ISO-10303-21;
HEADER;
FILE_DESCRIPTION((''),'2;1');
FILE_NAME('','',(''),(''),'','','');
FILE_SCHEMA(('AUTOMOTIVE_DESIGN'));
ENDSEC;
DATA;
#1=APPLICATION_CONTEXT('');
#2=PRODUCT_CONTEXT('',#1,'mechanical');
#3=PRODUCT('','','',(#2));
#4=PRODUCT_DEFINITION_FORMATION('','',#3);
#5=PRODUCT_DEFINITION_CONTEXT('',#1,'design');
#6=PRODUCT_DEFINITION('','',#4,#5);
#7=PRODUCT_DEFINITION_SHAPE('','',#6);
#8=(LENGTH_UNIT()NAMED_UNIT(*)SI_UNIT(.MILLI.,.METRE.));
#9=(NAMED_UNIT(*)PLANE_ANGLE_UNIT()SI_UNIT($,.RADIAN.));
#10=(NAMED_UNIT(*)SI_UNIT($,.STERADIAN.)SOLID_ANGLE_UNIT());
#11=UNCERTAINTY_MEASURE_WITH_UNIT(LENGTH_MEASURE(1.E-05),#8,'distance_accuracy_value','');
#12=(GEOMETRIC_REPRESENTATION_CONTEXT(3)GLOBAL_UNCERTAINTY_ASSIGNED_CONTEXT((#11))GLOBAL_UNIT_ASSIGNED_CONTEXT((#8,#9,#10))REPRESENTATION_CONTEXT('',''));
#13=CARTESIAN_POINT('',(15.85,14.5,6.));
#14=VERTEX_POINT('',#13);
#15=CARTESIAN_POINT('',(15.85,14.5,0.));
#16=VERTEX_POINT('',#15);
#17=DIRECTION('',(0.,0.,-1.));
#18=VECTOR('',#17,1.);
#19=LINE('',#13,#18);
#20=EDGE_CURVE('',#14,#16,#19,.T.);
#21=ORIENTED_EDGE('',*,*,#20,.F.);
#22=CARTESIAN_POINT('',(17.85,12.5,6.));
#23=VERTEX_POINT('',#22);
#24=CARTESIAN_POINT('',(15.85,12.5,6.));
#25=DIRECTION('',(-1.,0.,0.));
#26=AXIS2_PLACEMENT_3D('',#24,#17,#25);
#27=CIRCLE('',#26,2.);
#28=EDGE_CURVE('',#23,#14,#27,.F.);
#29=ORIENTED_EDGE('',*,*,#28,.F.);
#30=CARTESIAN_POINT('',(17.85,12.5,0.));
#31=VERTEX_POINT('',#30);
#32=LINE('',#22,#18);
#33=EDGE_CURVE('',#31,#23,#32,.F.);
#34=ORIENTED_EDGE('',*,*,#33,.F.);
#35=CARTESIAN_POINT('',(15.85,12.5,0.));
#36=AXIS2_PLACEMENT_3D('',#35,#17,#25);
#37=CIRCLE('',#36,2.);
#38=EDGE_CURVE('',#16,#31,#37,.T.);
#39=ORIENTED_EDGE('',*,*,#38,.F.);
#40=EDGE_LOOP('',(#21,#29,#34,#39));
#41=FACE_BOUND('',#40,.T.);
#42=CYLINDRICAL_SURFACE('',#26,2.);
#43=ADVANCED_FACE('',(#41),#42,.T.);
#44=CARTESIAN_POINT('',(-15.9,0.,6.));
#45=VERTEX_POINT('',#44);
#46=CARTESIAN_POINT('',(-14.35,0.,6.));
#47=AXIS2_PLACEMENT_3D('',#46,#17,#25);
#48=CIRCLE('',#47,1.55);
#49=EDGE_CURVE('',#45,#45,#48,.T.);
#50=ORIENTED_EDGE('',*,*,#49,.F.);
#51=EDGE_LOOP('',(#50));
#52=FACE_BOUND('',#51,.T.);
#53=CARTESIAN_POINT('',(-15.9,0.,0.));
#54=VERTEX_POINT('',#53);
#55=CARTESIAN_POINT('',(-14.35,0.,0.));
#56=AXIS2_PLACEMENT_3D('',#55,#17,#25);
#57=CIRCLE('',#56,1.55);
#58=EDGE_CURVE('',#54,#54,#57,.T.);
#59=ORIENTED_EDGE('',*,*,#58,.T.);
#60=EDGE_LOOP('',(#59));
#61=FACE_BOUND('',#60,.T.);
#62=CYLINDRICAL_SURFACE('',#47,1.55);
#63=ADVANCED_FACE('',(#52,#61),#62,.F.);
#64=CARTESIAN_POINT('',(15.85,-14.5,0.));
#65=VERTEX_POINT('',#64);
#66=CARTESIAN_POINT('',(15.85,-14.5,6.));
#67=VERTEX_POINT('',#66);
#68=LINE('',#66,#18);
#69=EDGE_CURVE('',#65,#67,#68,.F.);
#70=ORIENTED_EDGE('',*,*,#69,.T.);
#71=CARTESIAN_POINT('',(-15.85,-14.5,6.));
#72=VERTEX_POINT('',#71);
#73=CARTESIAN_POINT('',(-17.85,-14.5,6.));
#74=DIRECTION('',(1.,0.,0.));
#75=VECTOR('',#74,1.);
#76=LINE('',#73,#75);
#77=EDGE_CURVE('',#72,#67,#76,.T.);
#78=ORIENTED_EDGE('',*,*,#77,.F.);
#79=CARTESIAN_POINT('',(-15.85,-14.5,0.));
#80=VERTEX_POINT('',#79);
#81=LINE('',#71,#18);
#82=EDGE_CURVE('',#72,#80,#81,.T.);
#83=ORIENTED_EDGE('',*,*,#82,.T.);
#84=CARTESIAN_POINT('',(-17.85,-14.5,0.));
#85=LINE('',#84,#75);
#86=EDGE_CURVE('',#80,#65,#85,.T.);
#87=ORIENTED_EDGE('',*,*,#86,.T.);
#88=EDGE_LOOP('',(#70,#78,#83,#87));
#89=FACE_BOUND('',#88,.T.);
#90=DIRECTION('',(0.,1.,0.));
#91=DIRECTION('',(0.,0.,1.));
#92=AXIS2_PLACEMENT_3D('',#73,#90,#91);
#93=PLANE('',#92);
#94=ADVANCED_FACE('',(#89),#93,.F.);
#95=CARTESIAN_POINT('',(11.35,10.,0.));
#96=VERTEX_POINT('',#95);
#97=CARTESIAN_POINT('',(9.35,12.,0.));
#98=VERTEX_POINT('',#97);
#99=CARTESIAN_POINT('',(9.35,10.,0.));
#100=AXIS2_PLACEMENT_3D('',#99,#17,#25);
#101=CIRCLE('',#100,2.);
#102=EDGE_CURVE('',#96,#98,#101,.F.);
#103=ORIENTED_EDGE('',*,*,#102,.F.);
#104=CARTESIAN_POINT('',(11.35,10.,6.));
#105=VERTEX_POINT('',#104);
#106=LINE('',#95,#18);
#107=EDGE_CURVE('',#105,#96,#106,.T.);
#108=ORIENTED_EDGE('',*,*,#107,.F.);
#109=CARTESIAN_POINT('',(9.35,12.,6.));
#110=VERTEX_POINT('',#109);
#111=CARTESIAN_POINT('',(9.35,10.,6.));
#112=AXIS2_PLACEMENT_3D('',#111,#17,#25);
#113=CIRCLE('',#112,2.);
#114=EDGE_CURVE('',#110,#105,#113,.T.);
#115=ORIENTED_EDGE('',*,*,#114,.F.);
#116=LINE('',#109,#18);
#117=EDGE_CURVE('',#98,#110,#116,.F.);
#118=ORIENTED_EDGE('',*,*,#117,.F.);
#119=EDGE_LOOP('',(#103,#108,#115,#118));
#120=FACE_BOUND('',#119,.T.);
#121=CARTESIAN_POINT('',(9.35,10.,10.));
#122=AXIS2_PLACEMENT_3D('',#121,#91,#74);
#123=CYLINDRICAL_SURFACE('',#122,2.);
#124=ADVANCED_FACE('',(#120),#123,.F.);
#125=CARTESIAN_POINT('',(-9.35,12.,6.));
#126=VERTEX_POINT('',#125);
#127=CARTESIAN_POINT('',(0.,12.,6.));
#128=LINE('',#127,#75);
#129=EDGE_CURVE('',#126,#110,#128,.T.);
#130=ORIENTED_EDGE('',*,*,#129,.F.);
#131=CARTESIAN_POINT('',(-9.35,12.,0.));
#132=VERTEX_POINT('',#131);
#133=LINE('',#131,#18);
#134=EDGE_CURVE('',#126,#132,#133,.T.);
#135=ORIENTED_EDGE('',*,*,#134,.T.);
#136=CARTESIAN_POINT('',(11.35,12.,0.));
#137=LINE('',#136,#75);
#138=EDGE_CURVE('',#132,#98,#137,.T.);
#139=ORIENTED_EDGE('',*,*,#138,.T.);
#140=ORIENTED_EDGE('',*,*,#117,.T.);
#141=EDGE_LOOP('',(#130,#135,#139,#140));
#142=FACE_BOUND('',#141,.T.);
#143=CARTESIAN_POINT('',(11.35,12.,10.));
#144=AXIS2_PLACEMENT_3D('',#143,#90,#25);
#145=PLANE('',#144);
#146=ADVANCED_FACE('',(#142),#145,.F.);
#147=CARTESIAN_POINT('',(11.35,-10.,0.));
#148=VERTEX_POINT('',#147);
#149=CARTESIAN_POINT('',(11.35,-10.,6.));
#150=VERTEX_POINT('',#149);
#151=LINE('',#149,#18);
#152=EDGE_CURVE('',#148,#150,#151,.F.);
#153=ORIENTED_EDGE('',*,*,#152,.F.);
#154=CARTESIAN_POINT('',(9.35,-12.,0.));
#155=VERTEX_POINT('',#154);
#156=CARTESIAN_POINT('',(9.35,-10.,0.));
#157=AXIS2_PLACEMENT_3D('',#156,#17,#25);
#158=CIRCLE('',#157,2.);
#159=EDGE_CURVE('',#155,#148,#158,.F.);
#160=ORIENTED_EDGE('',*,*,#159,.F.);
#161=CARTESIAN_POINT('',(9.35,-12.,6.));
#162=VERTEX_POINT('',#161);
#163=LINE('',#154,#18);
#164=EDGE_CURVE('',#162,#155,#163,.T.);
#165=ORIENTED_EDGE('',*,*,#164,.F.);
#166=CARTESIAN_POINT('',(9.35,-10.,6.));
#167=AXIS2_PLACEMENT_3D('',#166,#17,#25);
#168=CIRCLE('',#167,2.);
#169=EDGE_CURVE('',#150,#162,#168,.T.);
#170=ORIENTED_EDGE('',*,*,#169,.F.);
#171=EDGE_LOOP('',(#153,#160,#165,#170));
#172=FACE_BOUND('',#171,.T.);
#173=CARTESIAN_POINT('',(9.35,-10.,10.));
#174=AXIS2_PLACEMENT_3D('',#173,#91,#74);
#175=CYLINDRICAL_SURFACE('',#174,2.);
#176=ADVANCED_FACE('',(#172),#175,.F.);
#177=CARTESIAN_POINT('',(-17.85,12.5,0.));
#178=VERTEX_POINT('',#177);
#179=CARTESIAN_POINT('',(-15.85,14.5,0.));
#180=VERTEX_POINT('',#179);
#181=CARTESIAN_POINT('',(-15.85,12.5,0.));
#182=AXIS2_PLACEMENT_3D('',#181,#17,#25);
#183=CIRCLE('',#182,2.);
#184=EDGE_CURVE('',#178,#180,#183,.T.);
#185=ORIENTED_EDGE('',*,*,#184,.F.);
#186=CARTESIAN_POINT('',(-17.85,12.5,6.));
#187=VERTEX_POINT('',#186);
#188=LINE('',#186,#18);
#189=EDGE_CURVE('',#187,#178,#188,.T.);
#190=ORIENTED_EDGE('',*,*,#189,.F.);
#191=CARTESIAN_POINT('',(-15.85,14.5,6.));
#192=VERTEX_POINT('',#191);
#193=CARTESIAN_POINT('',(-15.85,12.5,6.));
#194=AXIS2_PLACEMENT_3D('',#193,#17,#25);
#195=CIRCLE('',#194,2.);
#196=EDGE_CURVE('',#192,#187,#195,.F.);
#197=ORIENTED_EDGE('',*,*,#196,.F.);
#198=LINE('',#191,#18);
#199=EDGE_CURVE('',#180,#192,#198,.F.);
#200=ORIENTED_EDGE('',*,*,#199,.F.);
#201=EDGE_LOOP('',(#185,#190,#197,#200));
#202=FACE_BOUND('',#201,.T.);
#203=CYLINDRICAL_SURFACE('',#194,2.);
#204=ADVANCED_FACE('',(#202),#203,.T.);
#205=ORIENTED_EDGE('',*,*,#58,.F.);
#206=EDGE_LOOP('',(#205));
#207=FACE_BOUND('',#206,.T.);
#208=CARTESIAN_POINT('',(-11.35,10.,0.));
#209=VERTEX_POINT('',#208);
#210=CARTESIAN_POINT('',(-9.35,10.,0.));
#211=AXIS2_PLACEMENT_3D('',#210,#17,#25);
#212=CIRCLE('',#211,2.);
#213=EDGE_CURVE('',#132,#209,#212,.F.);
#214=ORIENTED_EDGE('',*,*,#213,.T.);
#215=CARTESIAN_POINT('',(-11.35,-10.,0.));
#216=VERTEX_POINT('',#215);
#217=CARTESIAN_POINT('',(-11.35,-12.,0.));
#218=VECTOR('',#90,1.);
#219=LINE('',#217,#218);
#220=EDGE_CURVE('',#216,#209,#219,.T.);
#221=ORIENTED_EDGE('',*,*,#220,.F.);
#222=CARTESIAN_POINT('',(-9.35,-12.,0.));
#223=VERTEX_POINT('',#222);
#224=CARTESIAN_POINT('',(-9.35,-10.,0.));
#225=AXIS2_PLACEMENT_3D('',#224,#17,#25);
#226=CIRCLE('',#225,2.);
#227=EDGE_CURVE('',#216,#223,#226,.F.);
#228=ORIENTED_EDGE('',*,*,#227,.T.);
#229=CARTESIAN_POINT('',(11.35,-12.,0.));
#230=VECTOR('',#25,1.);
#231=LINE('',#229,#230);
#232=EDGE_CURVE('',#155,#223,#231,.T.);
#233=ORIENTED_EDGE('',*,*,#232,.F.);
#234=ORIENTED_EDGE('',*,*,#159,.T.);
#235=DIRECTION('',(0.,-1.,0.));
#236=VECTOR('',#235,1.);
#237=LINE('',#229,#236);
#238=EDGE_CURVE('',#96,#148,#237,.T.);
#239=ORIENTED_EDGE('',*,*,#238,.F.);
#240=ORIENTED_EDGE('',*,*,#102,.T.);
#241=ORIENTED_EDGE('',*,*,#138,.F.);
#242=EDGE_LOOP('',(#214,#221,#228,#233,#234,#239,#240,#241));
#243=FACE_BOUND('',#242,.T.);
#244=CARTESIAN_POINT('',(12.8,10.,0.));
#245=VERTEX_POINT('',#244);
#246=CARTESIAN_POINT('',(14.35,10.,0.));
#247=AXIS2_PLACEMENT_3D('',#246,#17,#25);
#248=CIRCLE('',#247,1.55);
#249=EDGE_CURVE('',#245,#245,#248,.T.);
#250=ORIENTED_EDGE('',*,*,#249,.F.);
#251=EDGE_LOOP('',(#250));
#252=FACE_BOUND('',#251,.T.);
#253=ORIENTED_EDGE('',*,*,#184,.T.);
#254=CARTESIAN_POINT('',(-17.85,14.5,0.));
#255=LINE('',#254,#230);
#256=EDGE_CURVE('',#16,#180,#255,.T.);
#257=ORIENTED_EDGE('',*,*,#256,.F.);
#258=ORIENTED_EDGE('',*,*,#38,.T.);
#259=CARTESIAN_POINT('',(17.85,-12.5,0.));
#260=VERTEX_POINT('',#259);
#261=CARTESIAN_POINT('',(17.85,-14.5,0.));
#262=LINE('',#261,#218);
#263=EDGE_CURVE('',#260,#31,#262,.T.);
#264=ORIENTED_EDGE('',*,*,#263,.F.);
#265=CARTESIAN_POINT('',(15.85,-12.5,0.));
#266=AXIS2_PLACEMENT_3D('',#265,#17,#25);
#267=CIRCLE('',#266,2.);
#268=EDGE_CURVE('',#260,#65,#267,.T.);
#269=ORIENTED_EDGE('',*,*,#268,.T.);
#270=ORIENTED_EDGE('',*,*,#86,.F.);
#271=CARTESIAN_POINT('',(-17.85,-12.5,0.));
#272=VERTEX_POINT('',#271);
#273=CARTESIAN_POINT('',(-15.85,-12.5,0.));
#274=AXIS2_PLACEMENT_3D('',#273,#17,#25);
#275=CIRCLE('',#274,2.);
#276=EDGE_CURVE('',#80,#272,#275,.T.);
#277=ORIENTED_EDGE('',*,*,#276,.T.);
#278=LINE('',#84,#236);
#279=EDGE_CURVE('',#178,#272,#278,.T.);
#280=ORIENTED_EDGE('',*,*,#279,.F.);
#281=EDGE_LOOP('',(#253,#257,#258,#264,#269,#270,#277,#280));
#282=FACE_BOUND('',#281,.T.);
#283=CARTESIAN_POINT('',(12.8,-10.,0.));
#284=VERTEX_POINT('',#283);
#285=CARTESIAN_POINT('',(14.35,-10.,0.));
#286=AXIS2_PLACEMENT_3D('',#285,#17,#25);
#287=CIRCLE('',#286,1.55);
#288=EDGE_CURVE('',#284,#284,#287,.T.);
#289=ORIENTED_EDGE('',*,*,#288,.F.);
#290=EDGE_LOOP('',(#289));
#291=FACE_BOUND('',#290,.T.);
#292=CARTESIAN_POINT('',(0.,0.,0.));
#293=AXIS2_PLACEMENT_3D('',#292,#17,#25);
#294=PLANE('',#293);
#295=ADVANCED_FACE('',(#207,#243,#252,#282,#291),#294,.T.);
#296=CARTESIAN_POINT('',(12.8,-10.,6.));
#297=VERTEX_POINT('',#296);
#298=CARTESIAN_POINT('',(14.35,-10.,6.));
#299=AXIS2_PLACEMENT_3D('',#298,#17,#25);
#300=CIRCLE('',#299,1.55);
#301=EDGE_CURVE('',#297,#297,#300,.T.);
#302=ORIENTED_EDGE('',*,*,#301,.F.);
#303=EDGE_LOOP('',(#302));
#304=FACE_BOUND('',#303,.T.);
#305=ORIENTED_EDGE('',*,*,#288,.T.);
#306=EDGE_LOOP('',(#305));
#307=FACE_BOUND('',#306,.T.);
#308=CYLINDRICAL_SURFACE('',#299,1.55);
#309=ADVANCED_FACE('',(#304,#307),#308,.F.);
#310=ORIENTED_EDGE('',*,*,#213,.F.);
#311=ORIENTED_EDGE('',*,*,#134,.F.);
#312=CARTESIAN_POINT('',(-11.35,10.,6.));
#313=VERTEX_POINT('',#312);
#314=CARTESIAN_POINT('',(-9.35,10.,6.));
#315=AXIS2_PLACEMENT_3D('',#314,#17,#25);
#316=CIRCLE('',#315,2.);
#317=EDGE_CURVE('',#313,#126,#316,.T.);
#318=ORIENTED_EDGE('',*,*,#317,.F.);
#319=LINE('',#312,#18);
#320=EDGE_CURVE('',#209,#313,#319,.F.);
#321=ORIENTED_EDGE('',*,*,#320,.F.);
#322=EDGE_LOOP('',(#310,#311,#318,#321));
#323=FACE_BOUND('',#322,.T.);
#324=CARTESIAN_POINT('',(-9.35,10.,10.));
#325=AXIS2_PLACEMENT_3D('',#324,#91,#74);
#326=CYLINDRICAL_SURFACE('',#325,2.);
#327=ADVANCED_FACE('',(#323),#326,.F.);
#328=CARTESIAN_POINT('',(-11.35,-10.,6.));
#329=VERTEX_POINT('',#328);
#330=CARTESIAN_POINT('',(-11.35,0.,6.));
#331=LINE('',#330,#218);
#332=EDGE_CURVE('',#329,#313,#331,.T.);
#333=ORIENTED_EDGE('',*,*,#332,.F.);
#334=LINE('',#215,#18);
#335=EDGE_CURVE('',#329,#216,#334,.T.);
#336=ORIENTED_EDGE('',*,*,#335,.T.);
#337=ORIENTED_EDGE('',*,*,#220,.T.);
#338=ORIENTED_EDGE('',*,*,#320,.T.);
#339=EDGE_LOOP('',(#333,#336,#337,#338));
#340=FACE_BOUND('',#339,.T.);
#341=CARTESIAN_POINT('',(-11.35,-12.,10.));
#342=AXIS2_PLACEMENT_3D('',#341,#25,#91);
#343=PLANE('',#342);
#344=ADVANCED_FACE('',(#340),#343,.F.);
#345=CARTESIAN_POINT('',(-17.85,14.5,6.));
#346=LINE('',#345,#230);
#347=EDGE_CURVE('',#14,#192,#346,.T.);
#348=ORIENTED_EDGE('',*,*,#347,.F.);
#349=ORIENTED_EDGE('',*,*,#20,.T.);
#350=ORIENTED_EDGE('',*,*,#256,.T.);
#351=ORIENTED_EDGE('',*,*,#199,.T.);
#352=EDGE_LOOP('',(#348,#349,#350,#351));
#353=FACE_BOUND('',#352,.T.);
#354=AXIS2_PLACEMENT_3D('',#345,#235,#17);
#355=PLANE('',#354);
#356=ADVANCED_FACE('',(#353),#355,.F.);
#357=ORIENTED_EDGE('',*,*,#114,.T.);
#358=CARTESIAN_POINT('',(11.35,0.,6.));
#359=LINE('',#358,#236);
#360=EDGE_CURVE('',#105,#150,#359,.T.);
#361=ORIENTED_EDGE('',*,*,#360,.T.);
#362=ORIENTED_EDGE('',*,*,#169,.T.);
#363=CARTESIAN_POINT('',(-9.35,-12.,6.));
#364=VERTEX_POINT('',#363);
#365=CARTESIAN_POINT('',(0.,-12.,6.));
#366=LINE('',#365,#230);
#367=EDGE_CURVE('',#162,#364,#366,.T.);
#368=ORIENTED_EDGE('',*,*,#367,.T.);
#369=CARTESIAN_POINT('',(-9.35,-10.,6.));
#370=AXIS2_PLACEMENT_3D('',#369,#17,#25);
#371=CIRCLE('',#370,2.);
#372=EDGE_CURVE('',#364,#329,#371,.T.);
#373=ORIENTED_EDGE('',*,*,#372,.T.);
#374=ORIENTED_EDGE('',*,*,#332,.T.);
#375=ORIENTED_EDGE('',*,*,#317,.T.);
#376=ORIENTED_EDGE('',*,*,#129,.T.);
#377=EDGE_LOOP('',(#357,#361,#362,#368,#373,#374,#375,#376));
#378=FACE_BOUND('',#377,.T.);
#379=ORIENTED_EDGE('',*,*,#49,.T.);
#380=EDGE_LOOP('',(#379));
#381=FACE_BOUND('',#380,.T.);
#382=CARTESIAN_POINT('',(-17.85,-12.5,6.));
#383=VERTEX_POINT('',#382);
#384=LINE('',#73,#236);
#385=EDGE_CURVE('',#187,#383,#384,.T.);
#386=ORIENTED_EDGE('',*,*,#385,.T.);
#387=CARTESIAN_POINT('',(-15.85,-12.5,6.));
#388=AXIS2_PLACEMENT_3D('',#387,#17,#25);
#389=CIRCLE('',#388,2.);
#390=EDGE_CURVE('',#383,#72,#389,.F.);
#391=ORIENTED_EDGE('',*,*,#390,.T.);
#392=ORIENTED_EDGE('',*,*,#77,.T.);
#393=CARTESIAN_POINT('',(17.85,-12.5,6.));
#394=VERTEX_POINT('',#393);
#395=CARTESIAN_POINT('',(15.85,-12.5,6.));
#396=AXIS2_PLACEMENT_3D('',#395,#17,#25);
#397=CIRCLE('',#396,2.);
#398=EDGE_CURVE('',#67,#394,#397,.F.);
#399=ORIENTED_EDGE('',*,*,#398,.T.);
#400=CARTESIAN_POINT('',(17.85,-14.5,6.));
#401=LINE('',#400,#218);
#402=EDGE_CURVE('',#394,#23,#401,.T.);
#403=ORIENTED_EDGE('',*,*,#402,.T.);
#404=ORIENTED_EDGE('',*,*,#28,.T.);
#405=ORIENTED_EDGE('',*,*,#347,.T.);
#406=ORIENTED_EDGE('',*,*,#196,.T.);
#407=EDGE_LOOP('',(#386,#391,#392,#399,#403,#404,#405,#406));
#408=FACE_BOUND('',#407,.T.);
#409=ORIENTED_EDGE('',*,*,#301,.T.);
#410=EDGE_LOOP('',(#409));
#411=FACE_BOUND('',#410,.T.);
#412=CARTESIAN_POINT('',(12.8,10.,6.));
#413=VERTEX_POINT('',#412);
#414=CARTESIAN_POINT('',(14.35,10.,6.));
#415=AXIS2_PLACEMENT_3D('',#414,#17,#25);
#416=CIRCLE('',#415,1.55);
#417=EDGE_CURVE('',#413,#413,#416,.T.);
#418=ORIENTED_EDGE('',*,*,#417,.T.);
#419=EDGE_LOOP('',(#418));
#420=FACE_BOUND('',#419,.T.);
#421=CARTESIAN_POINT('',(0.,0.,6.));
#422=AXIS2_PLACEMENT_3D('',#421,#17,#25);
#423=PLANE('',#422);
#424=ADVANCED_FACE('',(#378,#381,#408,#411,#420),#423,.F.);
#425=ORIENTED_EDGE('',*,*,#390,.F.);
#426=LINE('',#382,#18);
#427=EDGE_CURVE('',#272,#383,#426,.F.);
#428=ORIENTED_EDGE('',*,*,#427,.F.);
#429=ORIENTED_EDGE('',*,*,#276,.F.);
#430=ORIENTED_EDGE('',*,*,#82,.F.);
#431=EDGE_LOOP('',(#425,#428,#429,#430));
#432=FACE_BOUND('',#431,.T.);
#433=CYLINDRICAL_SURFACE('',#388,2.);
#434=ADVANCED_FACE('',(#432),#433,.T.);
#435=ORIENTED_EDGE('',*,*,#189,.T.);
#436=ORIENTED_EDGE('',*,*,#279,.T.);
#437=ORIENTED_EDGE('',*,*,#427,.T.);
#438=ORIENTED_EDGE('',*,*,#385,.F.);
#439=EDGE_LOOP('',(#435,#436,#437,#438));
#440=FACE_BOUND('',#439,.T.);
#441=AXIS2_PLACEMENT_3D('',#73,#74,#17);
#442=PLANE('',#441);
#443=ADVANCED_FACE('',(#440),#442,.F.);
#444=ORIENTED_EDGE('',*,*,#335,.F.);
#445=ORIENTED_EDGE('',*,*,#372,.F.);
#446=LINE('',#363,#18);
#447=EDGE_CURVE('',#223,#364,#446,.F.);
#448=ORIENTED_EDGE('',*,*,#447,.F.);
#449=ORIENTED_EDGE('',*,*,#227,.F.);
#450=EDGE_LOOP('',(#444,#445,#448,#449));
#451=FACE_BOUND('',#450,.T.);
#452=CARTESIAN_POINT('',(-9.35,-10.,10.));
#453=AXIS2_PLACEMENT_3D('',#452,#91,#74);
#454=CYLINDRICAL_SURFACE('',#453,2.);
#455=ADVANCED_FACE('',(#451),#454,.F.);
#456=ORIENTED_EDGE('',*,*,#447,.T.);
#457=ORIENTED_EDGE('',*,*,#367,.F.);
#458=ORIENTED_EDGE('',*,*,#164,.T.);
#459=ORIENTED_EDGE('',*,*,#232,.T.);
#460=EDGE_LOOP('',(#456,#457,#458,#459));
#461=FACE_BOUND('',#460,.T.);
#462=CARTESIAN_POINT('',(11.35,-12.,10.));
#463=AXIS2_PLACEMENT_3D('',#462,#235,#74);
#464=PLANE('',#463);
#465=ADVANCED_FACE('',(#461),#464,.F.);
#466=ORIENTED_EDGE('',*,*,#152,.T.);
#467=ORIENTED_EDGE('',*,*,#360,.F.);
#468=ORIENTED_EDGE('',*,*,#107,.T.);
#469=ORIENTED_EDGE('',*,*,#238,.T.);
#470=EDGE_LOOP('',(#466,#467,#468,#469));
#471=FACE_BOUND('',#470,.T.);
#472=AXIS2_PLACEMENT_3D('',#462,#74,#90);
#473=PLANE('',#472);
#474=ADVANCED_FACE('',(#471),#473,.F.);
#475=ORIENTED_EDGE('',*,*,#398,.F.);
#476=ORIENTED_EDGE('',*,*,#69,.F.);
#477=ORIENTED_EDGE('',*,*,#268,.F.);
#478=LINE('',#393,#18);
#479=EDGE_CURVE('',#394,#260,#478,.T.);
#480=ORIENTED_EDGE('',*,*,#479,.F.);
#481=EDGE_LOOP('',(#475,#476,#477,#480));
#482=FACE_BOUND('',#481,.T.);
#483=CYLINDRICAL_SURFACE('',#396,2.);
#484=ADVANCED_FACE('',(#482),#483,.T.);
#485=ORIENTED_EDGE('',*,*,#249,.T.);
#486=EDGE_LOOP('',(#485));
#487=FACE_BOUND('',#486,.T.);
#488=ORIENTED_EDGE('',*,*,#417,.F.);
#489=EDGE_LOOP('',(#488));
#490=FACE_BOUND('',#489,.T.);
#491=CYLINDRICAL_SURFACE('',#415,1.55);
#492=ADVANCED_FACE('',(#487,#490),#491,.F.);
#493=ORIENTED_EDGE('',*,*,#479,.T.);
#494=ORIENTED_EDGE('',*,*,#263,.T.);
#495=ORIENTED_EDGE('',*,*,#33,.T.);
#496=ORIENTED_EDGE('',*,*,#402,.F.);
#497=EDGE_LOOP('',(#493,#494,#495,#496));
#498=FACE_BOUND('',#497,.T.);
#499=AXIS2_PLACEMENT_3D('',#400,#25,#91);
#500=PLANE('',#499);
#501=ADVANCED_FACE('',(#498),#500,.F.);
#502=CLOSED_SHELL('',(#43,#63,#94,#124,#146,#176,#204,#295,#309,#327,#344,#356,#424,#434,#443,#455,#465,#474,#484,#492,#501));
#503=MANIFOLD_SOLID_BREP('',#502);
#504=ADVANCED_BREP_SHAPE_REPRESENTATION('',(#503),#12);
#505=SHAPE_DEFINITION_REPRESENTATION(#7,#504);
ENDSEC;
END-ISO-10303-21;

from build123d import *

# Parameters (mm, degrees)
SKETCH_1_W          = 35.7
SKETCH_1_H          = 29
EXTRUDE_1_DEPTH     = 6
SKETCH_2_R          = 1.55
CUT_EXTRUDE_1_DEPTH = 6
SKETCH_3_W          = 22.7
SKETCH_3_H          = 24
CUT_EXTRUDE_2_DEPTH = 10
FILLET_1_R          = 2


with BuildPart() as part:
    # 草图1 → 凸台-拉伸1 (new body)
    with BuildSketch(Plane.XY):
        Rectangle(SKETCH_1_W, SKETCH_1_H)
    extrude(amount=EXTRUDE_1_DEPTH)

    # 草图2 → 切除-拉伸1 (cut)
    with BuildSketch(Plane(origin=(0, 0, 0), x_dir=(-1, 0, 0), z_dir=(0, 0, -1))):
        with Locations((14.35, 0)):
            Circle(SKETCH_2_R)
        with Locations((-14.35, 10)):
            Circle(SKETCH_2_R)
        with Locations((-14.35, -10)):
            Circle(SKETCH_2_R)
    extrude(amount=-CUT_EXTRUDE_1_DEPTH, mode=Mode.SUBTRACT)

    # 草图3 → 切除-拉伸2 (cut)
    with BuildSketch(Plane(origin=(0, 0, 0), x_dir=(-1, 0, 0), z_dir=(0, 0, -1))):
        Rectangle(SKETCH_3_W, SKETCH_3_H)
    extrude(amount=-CUT_EXTRUDE_2_DEPTH, mode=Mode.SUBTRACT)

    # 圆角1
    fillet_1_edges = [part.edges().sort_by_distance(p)[0] for p in [
        (-11.35, 12, 3),
        (-11.35, -12, 3),
        (11.35, -12, 3),
        (11.35, 12, 3),
        (17.85, -14.5, 3),
        (-17.85, -14.5, 3),
        (-17.85, 14.5, 3),
        (17.85, 14.5, 3),
    ]]
    fillet(fillet_1_edges, radius=FILLET_1_R)


solid = part.part
